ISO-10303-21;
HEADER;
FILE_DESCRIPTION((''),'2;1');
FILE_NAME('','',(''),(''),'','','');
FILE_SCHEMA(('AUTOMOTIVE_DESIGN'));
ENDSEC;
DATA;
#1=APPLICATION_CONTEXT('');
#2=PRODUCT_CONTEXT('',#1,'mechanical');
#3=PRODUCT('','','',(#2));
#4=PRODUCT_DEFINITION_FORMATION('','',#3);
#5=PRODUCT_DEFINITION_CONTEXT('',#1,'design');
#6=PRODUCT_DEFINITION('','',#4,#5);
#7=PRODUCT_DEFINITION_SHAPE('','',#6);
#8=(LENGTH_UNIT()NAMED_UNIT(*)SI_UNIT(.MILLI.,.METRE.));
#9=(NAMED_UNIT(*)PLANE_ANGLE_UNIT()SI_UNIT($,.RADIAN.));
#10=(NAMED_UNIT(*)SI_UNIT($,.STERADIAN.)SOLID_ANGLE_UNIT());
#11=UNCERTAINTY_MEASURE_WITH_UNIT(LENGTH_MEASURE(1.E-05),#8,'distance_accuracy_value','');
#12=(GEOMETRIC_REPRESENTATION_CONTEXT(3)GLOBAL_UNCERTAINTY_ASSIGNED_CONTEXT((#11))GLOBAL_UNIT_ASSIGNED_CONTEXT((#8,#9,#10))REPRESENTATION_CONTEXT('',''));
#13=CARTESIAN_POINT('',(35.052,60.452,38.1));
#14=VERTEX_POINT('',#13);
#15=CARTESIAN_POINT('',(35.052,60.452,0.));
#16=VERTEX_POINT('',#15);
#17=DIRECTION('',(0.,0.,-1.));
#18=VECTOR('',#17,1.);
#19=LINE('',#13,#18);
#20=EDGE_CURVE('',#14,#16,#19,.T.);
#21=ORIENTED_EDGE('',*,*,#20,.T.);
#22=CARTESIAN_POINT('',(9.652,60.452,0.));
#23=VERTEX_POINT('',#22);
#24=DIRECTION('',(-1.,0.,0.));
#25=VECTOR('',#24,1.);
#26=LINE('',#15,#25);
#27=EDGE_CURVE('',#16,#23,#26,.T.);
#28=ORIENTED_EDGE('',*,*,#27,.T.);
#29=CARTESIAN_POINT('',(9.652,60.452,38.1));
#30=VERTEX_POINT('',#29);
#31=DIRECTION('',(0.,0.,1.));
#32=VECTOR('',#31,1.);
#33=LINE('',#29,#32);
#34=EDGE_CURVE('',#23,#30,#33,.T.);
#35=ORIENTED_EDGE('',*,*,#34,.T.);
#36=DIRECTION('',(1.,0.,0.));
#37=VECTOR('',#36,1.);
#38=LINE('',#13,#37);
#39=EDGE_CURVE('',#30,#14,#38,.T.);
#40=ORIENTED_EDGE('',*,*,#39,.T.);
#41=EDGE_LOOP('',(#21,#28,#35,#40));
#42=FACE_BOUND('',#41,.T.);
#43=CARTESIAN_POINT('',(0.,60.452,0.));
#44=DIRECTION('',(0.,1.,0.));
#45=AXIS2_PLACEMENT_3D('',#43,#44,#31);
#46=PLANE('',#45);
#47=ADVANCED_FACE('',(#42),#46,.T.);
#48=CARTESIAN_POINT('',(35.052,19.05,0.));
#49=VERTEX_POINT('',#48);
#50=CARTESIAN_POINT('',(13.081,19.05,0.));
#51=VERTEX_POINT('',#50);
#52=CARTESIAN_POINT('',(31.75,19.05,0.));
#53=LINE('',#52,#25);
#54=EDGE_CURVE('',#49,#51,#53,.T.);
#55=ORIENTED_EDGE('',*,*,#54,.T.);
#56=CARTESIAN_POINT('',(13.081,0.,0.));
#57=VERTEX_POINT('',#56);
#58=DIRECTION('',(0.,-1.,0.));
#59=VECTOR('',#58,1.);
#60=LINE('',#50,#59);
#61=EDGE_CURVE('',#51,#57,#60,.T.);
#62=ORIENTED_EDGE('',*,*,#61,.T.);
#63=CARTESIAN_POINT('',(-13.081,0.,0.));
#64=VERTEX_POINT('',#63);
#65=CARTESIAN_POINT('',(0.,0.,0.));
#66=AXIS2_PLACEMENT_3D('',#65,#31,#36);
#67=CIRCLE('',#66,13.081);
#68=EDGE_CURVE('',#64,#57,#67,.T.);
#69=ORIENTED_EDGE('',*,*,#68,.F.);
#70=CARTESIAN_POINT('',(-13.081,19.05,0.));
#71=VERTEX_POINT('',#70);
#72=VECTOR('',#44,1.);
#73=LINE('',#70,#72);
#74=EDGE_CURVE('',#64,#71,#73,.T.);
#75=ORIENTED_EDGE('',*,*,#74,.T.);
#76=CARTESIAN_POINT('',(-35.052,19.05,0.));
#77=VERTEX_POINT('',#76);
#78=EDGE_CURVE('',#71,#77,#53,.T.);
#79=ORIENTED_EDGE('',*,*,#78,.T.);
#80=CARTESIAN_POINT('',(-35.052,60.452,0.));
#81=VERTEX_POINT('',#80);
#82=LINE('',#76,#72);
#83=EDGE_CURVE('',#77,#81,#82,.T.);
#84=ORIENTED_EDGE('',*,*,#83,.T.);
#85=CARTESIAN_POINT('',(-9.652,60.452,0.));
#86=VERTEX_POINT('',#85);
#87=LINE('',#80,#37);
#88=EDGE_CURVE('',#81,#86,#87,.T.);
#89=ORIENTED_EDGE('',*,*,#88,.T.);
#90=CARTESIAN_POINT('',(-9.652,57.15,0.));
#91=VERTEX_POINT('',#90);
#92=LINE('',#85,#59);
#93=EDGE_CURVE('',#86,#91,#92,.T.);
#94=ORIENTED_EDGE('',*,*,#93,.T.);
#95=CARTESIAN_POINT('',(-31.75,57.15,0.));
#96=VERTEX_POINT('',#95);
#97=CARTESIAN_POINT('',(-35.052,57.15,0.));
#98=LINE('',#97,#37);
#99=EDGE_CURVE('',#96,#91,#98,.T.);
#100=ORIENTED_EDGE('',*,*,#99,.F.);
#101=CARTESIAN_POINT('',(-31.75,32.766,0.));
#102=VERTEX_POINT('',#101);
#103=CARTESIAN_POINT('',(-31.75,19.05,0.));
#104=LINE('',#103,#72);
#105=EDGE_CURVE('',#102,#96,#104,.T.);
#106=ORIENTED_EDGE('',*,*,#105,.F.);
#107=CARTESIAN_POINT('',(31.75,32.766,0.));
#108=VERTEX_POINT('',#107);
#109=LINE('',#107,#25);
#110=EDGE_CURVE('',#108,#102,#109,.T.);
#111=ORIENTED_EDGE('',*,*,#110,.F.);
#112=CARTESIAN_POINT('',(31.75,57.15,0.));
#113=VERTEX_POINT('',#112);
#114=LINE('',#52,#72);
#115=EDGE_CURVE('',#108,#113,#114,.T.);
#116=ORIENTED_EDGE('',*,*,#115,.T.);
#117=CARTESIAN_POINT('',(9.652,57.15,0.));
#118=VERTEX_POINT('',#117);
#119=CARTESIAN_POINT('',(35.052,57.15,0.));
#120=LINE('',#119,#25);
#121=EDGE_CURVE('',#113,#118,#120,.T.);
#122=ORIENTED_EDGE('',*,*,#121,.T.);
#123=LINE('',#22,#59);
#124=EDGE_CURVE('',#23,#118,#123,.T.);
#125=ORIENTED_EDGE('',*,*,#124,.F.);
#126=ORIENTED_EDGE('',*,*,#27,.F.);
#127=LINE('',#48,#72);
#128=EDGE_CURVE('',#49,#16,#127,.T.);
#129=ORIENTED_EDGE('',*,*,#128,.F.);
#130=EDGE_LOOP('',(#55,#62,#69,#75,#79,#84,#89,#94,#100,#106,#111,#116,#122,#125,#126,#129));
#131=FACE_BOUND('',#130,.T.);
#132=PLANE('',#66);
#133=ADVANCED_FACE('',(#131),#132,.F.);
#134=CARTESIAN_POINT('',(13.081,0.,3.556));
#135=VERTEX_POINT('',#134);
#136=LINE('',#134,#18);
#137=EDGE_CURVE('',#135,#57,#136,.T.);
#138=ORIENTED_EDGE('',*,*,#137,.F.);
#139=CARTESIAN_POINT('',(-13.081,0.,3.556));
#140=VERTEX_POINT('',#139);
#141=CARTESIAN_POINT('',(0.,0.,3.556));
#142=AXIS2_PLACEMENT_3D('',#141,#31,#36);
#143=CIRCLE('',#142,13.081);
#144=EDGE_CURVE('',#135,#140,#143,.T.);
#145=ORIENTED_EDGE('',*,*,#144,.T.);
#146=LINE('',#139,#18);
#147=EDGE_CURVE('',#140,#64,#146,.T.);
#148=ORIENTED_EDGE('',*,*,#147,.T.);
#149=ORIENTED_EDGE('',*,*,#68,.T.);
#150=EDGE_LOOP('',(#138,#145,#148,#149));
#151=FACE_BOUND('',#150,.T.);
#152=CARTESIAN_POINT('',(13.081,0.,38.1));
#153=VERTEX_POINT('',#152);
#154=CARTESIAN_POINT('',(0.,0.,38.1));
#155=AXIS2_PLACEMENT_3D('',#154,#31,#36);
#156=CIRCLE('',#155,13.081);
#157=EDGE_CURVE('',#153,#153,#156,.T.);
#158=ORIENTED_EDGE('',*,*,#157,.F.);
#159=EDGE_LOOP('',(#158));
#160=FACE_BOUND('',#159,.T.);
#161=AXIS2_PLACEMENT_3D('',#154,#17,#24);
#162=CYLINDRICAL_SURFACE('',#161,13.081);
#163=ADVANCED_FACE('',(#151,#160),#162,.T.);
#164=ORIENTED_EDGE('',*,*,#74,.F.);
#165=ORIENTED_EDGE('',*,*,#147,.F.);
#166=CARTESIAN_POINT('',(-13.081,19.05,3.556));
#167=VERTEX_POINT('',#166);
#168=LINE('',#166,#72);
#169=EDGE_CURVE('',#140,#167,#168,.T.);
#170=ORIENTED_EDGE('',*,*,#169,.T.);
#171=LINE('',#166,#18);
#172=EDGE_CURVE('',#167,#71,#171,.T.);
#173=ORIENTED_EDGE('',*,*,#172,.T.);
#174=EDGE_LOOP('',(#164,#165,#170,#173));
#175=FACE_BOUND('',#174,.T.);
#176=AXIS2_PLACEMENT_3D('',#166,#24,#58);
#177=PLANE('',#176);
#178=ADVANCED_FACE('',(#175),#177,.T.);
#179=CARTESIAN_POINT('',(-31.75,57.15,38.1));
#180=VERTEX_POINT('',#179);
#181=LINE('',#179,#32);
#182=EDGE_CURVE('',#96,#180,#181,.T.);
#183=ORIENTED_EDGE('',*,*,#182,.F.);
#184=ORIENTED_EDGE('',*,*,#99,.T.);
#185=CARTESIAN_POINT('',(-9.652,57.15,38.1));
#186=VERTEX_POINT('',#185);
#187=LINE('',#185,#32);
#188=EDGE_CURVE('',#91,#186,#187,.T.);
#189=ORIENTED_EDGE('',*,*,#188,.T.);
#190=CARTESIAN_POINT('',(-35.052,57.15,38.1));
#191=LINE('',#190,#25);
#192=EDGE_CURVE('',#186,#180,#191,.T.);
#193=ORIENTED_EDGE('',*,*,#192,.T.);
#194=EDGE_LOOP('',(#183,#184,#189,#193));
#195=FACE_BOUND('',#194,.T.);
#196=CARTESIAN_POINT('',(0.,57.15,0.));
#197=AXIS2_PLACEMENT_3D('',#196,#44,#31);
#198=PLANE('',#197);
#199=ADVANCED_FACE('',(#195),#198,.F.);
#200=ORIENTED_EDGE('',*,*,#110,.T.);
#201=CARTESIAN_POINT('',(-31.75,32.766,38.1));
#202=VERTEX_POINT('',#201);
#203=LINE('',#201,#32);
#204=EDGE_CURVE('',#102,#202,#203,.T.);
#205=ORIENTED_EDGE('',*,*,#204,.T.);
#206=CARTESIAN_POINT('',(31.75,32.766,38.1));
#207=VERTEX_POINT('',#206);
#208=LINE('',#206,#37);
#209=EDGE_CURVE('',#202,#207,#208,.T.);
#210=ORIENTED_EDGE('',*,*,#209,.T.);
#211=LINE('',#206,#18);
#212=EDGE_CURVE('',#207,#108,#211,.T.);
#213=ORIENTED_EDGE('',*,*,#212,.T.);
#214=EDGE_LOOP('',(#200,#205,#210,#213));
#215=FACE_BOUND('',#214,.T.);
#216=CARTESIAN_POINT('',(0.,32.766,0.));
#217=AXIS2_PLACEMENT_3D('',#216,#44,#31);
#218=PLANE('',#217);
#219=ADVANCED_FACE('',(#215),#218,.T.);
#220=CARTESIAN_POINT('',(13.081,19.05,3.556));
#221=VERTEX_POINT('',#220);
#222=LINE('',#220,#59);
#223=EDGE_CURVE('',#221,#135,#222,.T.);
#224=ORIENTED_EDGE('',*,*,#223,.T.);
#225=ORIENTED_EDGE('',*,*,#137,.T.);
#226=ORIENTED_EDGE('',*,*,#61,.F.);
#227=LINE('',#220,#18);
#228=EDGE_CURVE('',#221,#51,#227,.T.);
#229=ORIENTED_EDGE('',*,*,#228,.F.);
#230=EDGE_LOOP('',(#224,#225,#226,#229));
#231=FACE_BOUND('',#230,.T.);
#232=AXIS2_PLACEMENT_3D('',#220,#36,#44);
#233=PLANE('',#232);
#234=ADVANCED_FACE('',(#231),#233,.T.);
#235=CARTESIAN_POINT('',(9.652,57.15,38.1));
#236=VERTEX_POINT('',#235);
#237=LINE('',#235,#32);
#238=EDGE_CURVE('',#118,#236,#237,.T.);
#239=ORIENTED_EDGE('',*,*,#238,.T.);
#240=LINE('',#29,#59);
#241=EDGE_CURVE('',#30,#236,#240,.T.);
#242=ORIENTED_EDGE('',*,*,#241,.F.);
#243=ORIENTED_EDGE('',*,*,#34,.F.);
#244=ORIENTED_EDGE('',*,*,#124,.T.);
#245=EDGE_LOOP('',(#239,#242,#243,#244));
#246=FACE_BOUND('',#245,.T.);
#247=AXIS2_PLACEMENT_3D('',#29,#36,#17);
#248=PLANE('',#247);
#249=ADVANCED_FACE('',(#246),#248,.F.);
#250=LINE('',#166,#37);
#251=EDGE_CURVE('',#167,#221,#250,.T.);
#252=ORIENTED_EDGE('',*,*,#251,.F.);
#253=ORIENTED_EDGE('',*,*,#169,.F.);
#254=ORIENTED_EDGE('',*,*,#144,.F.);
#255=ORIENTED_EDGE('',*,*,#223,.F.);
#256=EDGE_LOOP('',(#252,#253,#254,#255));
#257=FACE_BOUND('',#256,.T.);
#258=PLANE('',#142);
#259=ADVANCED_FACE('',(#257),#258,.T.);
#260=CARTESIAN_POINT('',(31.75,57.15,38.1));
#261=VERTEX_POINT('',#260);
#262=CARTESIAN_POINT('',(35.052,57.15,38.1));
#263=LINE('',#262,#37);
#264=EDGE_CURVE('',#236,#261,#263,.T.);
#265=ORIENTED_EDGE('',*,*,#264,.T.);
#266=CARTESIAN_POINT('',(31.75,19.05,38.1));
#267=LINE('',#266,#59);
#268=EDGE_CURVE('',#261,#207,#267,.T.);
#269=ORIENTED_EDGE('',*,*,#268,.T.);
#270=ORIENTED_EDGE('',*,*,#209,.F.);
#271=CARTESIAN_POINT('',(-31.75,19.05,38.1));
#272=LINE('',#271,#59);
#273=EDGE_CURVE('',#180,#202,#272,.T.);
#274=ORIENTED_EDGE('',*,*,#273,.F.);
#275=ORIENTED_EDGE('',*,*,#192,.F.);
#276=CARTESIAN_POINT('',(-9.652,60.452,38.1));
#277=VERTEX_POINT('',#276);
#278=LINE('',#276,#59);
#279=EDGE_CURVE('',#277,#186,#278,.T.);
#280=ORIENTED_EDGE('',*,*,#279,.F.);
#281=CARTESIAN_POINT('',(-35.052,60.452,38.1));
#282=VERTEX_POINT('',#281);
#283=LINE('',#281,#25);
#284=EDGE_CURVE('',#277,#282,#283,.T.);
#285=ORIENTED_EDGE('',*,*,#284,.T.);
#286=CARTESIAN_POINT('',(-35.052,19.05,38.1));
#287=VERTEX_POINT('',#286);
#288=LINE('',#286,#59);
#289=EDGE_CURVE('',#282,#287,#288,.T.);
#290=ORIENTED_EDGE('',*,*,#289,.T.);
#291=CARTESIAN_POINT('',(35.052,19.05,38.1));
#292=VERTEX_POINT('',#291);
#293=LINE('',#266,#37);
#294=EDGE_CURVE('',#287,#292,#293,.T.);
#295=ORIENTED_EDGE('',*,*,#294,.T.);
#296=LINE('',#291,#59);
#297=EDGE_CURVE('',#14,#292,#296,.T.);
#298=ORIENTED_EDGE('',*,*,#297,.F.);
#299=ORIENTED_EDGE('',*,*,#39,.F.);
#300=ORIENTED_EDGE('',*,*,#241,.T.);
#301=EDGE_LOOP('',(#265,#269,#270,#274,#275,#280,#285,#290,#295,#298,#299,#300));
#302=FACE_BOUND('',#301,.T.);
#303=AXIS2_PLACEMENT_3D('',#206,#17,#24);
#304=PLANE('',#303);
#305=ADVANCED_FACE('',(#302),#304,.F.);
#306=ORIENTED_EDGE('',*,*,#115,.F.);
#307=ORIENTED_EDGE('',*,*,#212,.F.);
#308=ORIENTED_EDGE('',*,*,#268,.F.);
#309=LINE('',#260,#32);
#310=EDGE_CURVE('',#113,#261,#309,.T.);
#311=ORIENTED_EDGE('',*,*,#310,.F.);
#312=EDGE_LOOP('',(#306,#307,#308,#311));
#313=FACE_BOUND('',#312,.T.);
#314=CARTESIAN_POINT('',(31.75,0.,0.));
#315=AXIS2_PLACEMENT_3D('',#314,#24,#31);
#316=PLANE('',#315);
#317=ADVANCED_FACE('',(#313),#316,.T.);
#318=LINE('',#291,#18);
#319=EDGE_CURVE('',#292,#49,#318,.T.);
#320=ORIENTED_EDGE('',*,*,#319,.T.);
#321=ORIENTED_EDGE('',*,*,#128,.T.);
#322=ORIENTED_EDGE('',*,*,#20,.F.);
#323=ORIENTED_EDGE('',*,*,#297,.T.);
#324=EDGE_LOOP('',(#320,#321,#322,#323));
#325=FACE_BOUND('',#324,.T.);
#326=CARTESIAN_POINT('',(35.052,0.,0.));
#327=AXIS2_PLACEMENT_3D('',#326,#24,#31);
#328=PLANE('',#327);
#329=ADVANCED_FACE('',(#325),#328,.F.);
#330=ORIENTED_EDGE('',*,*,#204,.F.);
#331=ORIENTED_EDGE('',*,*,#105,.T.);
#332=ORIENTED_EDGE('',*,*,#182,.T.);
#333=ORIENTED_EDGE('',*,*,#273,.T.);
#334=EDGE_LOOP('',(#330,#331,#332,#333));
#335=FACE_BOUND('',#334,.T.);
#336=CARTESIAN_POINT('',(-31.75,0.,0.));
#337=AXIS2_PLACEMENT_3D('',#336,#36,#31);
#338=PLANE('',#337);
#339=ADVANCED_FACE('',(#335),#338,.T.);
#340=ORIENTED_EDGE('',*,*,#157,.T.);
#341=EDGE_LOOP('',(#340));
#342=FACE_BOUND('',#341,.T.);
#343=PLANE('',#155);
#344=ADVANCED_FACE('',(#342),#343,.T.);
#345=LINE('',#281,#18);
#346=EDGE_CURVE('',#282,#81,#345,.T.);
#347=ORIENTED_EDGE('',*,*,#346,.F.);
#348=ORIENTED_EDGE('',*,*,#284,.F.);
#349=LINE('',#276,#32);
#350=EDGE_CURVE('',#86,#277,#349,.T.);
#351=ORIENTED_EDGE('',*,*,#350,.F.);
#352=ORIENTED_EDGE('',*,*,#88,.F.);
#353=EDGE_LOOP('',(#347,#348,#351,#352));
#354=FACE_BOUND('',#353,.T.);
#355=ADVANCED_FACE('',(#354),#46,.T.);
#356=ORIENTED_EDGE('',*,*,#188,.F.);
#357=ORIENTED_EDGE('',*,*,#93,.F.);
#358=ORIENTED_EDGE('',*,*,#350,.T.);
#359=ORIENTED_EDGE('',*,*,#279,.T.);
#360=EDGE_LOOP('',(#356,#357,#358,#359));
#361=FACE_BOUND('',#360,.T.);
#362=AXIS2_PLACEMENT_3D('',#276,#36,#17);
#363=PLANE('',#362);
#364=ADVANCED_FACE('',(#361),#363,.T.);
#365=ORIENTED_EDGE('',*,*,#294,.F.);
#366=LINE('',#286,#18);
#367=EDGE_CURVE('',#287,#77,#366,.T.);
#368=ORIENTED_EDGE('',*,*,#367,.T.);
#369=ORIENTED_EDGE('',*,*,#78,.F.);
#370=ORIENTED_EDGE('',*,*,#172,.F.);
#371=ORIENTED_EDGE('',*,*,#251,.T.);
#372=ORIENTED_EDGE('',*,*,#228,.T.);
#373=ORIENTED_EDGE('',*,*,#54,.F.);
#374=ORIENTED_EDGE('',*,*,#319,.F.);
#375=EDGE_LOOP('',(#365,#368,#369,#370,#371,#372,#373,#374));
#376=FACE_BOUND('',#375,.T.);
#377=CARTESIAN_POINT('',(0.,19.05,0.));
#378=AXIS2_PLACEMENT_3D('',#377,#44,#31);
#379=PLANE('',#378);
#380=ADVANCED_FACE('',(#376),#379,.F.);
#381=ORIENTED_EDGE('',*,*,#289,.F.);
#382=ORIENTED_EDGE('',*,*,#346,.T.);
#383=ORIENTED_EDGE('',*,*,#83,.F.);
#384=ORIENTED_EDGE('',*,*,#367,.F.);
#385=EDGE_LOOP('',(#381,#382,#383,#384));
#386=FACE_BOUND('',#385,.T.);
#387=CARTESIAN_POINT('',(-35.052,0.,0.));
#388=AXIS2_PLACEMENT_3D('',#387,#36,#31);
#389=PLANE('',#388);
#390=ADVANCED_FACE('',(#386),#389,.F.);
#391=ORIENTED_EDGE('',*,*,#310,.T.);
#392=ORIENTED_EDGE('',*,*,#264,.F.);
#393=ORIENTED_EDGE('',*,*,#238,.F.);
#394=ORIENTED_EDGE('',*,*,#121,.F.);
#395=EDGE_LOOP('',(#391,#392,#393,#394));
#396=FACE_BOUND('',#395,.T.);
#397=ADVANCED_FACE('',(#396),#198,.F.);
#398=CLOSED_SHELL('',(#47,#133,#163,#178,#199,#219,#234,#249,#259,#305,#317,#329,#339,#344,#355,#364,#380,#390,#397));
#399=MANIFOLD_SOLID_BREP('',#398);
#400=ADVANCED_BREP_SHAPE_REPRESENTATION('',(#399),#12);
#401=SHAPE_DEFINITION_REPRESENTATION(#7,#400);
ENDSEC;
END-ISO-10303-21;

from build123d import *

# Parameters (mm, degrees)
SKETCH1_R           = 13.081
BOSS_EXTRUDE1_DEPTH = 38.1
SKETCH2_W           = 26.162
SKETCH2_H           = 19.05
BOSS_EXTRUDE2_DEPTH = 3.556
SKETCH4_W           = 63.5
SKETCH4_H           = 38.1
BOSS_EXTRUDE3_DEPTH = 13.716
SKETCH6_W           = 38.1
SKETCH6_H           = 38.1
BOSS_EXTRUDE4_DEPTH = 3.302
SKETCH7_W           = 25.4
SKETCH7_H           = 38.1
BOSS_EXTRUDE5_DEPTH = 3.302


with BuildPart() as part:
    # Sketch1 → Boss-Extrude1 (new body)
    with BuildSketch(Plane.XY):
        Circle(SKETCH1_R)
    extrude(amount=BOSS_EXTRUDE1_DEPTH)

    # Sketch2 → Boss-Extrude2 (add)
    with BuildSketch(Plane(origin=(0, 0, 0), x_dir=(-1, 0, 0), z_dir=(0, 0, -1))):
        with Locations((0, 9.525)):
            Rectangle(SKETCH2_W, SKETCH2_H)
    extrude(amount=-BOSS_EXTRUDE2_DEPTH)

    # Sketch4 → Boss-Extrude3 (add)
    with BuildSketch(Plane(origin=(0, 19.05, 0), x_dir=(1, 0, 0), z_dir=(0, 1, 0))):
        with Locations((0, -19.05)):
            Rectangle(SKETCH4_W, SKETCH4_H)
    extrude(amount=BOSS_EXTRUDE3_DEPTH)

    # Sketch6 → Boss-Extrude4 (add)
    with BuildSketch(Plane(origin=(31.75, 0, 0), x_dir=(0, 0, -1), z_dir=(1, 0, 0))):
        with Locations((-19.05, 38.1)):
            Rectangle(SKETCH6_W, SKETCH6_H)
    boss_extrude4 = extrude(amount=BOSS_EXTRUDE4_DEPTH)

    # Mirror1: Boss-Extrude4 across plane
    add(boss_extrude4.mirror(Plane(origin=(0, 0, 0), x_dir=(0, 0, 1), z_dir=(1, 0, 0))))

    # Sketch7 → Boss-Extrude5 (add)
    with BuildSketch(Plane(origin=(0, 57.15, 0), x_dir=(1, 0, 0), z_dir=(0, 1, 0))):
        with Locations((22.352, -19.05)):
            Rectangle(SKETCH7_W, SKETCH7_H)
    boss_extrude5 = extrude(amount=BOSS_EXTRUDE5_DEPTH)

    # Mirror2: Boss-Extrude5 across plane
    add(boss_extrude5.mirror(Plane(origin=(0, 0, 0), x_dir=(0, 0, 1), z_dir=(1, 0, 0))))


solid = part.part
